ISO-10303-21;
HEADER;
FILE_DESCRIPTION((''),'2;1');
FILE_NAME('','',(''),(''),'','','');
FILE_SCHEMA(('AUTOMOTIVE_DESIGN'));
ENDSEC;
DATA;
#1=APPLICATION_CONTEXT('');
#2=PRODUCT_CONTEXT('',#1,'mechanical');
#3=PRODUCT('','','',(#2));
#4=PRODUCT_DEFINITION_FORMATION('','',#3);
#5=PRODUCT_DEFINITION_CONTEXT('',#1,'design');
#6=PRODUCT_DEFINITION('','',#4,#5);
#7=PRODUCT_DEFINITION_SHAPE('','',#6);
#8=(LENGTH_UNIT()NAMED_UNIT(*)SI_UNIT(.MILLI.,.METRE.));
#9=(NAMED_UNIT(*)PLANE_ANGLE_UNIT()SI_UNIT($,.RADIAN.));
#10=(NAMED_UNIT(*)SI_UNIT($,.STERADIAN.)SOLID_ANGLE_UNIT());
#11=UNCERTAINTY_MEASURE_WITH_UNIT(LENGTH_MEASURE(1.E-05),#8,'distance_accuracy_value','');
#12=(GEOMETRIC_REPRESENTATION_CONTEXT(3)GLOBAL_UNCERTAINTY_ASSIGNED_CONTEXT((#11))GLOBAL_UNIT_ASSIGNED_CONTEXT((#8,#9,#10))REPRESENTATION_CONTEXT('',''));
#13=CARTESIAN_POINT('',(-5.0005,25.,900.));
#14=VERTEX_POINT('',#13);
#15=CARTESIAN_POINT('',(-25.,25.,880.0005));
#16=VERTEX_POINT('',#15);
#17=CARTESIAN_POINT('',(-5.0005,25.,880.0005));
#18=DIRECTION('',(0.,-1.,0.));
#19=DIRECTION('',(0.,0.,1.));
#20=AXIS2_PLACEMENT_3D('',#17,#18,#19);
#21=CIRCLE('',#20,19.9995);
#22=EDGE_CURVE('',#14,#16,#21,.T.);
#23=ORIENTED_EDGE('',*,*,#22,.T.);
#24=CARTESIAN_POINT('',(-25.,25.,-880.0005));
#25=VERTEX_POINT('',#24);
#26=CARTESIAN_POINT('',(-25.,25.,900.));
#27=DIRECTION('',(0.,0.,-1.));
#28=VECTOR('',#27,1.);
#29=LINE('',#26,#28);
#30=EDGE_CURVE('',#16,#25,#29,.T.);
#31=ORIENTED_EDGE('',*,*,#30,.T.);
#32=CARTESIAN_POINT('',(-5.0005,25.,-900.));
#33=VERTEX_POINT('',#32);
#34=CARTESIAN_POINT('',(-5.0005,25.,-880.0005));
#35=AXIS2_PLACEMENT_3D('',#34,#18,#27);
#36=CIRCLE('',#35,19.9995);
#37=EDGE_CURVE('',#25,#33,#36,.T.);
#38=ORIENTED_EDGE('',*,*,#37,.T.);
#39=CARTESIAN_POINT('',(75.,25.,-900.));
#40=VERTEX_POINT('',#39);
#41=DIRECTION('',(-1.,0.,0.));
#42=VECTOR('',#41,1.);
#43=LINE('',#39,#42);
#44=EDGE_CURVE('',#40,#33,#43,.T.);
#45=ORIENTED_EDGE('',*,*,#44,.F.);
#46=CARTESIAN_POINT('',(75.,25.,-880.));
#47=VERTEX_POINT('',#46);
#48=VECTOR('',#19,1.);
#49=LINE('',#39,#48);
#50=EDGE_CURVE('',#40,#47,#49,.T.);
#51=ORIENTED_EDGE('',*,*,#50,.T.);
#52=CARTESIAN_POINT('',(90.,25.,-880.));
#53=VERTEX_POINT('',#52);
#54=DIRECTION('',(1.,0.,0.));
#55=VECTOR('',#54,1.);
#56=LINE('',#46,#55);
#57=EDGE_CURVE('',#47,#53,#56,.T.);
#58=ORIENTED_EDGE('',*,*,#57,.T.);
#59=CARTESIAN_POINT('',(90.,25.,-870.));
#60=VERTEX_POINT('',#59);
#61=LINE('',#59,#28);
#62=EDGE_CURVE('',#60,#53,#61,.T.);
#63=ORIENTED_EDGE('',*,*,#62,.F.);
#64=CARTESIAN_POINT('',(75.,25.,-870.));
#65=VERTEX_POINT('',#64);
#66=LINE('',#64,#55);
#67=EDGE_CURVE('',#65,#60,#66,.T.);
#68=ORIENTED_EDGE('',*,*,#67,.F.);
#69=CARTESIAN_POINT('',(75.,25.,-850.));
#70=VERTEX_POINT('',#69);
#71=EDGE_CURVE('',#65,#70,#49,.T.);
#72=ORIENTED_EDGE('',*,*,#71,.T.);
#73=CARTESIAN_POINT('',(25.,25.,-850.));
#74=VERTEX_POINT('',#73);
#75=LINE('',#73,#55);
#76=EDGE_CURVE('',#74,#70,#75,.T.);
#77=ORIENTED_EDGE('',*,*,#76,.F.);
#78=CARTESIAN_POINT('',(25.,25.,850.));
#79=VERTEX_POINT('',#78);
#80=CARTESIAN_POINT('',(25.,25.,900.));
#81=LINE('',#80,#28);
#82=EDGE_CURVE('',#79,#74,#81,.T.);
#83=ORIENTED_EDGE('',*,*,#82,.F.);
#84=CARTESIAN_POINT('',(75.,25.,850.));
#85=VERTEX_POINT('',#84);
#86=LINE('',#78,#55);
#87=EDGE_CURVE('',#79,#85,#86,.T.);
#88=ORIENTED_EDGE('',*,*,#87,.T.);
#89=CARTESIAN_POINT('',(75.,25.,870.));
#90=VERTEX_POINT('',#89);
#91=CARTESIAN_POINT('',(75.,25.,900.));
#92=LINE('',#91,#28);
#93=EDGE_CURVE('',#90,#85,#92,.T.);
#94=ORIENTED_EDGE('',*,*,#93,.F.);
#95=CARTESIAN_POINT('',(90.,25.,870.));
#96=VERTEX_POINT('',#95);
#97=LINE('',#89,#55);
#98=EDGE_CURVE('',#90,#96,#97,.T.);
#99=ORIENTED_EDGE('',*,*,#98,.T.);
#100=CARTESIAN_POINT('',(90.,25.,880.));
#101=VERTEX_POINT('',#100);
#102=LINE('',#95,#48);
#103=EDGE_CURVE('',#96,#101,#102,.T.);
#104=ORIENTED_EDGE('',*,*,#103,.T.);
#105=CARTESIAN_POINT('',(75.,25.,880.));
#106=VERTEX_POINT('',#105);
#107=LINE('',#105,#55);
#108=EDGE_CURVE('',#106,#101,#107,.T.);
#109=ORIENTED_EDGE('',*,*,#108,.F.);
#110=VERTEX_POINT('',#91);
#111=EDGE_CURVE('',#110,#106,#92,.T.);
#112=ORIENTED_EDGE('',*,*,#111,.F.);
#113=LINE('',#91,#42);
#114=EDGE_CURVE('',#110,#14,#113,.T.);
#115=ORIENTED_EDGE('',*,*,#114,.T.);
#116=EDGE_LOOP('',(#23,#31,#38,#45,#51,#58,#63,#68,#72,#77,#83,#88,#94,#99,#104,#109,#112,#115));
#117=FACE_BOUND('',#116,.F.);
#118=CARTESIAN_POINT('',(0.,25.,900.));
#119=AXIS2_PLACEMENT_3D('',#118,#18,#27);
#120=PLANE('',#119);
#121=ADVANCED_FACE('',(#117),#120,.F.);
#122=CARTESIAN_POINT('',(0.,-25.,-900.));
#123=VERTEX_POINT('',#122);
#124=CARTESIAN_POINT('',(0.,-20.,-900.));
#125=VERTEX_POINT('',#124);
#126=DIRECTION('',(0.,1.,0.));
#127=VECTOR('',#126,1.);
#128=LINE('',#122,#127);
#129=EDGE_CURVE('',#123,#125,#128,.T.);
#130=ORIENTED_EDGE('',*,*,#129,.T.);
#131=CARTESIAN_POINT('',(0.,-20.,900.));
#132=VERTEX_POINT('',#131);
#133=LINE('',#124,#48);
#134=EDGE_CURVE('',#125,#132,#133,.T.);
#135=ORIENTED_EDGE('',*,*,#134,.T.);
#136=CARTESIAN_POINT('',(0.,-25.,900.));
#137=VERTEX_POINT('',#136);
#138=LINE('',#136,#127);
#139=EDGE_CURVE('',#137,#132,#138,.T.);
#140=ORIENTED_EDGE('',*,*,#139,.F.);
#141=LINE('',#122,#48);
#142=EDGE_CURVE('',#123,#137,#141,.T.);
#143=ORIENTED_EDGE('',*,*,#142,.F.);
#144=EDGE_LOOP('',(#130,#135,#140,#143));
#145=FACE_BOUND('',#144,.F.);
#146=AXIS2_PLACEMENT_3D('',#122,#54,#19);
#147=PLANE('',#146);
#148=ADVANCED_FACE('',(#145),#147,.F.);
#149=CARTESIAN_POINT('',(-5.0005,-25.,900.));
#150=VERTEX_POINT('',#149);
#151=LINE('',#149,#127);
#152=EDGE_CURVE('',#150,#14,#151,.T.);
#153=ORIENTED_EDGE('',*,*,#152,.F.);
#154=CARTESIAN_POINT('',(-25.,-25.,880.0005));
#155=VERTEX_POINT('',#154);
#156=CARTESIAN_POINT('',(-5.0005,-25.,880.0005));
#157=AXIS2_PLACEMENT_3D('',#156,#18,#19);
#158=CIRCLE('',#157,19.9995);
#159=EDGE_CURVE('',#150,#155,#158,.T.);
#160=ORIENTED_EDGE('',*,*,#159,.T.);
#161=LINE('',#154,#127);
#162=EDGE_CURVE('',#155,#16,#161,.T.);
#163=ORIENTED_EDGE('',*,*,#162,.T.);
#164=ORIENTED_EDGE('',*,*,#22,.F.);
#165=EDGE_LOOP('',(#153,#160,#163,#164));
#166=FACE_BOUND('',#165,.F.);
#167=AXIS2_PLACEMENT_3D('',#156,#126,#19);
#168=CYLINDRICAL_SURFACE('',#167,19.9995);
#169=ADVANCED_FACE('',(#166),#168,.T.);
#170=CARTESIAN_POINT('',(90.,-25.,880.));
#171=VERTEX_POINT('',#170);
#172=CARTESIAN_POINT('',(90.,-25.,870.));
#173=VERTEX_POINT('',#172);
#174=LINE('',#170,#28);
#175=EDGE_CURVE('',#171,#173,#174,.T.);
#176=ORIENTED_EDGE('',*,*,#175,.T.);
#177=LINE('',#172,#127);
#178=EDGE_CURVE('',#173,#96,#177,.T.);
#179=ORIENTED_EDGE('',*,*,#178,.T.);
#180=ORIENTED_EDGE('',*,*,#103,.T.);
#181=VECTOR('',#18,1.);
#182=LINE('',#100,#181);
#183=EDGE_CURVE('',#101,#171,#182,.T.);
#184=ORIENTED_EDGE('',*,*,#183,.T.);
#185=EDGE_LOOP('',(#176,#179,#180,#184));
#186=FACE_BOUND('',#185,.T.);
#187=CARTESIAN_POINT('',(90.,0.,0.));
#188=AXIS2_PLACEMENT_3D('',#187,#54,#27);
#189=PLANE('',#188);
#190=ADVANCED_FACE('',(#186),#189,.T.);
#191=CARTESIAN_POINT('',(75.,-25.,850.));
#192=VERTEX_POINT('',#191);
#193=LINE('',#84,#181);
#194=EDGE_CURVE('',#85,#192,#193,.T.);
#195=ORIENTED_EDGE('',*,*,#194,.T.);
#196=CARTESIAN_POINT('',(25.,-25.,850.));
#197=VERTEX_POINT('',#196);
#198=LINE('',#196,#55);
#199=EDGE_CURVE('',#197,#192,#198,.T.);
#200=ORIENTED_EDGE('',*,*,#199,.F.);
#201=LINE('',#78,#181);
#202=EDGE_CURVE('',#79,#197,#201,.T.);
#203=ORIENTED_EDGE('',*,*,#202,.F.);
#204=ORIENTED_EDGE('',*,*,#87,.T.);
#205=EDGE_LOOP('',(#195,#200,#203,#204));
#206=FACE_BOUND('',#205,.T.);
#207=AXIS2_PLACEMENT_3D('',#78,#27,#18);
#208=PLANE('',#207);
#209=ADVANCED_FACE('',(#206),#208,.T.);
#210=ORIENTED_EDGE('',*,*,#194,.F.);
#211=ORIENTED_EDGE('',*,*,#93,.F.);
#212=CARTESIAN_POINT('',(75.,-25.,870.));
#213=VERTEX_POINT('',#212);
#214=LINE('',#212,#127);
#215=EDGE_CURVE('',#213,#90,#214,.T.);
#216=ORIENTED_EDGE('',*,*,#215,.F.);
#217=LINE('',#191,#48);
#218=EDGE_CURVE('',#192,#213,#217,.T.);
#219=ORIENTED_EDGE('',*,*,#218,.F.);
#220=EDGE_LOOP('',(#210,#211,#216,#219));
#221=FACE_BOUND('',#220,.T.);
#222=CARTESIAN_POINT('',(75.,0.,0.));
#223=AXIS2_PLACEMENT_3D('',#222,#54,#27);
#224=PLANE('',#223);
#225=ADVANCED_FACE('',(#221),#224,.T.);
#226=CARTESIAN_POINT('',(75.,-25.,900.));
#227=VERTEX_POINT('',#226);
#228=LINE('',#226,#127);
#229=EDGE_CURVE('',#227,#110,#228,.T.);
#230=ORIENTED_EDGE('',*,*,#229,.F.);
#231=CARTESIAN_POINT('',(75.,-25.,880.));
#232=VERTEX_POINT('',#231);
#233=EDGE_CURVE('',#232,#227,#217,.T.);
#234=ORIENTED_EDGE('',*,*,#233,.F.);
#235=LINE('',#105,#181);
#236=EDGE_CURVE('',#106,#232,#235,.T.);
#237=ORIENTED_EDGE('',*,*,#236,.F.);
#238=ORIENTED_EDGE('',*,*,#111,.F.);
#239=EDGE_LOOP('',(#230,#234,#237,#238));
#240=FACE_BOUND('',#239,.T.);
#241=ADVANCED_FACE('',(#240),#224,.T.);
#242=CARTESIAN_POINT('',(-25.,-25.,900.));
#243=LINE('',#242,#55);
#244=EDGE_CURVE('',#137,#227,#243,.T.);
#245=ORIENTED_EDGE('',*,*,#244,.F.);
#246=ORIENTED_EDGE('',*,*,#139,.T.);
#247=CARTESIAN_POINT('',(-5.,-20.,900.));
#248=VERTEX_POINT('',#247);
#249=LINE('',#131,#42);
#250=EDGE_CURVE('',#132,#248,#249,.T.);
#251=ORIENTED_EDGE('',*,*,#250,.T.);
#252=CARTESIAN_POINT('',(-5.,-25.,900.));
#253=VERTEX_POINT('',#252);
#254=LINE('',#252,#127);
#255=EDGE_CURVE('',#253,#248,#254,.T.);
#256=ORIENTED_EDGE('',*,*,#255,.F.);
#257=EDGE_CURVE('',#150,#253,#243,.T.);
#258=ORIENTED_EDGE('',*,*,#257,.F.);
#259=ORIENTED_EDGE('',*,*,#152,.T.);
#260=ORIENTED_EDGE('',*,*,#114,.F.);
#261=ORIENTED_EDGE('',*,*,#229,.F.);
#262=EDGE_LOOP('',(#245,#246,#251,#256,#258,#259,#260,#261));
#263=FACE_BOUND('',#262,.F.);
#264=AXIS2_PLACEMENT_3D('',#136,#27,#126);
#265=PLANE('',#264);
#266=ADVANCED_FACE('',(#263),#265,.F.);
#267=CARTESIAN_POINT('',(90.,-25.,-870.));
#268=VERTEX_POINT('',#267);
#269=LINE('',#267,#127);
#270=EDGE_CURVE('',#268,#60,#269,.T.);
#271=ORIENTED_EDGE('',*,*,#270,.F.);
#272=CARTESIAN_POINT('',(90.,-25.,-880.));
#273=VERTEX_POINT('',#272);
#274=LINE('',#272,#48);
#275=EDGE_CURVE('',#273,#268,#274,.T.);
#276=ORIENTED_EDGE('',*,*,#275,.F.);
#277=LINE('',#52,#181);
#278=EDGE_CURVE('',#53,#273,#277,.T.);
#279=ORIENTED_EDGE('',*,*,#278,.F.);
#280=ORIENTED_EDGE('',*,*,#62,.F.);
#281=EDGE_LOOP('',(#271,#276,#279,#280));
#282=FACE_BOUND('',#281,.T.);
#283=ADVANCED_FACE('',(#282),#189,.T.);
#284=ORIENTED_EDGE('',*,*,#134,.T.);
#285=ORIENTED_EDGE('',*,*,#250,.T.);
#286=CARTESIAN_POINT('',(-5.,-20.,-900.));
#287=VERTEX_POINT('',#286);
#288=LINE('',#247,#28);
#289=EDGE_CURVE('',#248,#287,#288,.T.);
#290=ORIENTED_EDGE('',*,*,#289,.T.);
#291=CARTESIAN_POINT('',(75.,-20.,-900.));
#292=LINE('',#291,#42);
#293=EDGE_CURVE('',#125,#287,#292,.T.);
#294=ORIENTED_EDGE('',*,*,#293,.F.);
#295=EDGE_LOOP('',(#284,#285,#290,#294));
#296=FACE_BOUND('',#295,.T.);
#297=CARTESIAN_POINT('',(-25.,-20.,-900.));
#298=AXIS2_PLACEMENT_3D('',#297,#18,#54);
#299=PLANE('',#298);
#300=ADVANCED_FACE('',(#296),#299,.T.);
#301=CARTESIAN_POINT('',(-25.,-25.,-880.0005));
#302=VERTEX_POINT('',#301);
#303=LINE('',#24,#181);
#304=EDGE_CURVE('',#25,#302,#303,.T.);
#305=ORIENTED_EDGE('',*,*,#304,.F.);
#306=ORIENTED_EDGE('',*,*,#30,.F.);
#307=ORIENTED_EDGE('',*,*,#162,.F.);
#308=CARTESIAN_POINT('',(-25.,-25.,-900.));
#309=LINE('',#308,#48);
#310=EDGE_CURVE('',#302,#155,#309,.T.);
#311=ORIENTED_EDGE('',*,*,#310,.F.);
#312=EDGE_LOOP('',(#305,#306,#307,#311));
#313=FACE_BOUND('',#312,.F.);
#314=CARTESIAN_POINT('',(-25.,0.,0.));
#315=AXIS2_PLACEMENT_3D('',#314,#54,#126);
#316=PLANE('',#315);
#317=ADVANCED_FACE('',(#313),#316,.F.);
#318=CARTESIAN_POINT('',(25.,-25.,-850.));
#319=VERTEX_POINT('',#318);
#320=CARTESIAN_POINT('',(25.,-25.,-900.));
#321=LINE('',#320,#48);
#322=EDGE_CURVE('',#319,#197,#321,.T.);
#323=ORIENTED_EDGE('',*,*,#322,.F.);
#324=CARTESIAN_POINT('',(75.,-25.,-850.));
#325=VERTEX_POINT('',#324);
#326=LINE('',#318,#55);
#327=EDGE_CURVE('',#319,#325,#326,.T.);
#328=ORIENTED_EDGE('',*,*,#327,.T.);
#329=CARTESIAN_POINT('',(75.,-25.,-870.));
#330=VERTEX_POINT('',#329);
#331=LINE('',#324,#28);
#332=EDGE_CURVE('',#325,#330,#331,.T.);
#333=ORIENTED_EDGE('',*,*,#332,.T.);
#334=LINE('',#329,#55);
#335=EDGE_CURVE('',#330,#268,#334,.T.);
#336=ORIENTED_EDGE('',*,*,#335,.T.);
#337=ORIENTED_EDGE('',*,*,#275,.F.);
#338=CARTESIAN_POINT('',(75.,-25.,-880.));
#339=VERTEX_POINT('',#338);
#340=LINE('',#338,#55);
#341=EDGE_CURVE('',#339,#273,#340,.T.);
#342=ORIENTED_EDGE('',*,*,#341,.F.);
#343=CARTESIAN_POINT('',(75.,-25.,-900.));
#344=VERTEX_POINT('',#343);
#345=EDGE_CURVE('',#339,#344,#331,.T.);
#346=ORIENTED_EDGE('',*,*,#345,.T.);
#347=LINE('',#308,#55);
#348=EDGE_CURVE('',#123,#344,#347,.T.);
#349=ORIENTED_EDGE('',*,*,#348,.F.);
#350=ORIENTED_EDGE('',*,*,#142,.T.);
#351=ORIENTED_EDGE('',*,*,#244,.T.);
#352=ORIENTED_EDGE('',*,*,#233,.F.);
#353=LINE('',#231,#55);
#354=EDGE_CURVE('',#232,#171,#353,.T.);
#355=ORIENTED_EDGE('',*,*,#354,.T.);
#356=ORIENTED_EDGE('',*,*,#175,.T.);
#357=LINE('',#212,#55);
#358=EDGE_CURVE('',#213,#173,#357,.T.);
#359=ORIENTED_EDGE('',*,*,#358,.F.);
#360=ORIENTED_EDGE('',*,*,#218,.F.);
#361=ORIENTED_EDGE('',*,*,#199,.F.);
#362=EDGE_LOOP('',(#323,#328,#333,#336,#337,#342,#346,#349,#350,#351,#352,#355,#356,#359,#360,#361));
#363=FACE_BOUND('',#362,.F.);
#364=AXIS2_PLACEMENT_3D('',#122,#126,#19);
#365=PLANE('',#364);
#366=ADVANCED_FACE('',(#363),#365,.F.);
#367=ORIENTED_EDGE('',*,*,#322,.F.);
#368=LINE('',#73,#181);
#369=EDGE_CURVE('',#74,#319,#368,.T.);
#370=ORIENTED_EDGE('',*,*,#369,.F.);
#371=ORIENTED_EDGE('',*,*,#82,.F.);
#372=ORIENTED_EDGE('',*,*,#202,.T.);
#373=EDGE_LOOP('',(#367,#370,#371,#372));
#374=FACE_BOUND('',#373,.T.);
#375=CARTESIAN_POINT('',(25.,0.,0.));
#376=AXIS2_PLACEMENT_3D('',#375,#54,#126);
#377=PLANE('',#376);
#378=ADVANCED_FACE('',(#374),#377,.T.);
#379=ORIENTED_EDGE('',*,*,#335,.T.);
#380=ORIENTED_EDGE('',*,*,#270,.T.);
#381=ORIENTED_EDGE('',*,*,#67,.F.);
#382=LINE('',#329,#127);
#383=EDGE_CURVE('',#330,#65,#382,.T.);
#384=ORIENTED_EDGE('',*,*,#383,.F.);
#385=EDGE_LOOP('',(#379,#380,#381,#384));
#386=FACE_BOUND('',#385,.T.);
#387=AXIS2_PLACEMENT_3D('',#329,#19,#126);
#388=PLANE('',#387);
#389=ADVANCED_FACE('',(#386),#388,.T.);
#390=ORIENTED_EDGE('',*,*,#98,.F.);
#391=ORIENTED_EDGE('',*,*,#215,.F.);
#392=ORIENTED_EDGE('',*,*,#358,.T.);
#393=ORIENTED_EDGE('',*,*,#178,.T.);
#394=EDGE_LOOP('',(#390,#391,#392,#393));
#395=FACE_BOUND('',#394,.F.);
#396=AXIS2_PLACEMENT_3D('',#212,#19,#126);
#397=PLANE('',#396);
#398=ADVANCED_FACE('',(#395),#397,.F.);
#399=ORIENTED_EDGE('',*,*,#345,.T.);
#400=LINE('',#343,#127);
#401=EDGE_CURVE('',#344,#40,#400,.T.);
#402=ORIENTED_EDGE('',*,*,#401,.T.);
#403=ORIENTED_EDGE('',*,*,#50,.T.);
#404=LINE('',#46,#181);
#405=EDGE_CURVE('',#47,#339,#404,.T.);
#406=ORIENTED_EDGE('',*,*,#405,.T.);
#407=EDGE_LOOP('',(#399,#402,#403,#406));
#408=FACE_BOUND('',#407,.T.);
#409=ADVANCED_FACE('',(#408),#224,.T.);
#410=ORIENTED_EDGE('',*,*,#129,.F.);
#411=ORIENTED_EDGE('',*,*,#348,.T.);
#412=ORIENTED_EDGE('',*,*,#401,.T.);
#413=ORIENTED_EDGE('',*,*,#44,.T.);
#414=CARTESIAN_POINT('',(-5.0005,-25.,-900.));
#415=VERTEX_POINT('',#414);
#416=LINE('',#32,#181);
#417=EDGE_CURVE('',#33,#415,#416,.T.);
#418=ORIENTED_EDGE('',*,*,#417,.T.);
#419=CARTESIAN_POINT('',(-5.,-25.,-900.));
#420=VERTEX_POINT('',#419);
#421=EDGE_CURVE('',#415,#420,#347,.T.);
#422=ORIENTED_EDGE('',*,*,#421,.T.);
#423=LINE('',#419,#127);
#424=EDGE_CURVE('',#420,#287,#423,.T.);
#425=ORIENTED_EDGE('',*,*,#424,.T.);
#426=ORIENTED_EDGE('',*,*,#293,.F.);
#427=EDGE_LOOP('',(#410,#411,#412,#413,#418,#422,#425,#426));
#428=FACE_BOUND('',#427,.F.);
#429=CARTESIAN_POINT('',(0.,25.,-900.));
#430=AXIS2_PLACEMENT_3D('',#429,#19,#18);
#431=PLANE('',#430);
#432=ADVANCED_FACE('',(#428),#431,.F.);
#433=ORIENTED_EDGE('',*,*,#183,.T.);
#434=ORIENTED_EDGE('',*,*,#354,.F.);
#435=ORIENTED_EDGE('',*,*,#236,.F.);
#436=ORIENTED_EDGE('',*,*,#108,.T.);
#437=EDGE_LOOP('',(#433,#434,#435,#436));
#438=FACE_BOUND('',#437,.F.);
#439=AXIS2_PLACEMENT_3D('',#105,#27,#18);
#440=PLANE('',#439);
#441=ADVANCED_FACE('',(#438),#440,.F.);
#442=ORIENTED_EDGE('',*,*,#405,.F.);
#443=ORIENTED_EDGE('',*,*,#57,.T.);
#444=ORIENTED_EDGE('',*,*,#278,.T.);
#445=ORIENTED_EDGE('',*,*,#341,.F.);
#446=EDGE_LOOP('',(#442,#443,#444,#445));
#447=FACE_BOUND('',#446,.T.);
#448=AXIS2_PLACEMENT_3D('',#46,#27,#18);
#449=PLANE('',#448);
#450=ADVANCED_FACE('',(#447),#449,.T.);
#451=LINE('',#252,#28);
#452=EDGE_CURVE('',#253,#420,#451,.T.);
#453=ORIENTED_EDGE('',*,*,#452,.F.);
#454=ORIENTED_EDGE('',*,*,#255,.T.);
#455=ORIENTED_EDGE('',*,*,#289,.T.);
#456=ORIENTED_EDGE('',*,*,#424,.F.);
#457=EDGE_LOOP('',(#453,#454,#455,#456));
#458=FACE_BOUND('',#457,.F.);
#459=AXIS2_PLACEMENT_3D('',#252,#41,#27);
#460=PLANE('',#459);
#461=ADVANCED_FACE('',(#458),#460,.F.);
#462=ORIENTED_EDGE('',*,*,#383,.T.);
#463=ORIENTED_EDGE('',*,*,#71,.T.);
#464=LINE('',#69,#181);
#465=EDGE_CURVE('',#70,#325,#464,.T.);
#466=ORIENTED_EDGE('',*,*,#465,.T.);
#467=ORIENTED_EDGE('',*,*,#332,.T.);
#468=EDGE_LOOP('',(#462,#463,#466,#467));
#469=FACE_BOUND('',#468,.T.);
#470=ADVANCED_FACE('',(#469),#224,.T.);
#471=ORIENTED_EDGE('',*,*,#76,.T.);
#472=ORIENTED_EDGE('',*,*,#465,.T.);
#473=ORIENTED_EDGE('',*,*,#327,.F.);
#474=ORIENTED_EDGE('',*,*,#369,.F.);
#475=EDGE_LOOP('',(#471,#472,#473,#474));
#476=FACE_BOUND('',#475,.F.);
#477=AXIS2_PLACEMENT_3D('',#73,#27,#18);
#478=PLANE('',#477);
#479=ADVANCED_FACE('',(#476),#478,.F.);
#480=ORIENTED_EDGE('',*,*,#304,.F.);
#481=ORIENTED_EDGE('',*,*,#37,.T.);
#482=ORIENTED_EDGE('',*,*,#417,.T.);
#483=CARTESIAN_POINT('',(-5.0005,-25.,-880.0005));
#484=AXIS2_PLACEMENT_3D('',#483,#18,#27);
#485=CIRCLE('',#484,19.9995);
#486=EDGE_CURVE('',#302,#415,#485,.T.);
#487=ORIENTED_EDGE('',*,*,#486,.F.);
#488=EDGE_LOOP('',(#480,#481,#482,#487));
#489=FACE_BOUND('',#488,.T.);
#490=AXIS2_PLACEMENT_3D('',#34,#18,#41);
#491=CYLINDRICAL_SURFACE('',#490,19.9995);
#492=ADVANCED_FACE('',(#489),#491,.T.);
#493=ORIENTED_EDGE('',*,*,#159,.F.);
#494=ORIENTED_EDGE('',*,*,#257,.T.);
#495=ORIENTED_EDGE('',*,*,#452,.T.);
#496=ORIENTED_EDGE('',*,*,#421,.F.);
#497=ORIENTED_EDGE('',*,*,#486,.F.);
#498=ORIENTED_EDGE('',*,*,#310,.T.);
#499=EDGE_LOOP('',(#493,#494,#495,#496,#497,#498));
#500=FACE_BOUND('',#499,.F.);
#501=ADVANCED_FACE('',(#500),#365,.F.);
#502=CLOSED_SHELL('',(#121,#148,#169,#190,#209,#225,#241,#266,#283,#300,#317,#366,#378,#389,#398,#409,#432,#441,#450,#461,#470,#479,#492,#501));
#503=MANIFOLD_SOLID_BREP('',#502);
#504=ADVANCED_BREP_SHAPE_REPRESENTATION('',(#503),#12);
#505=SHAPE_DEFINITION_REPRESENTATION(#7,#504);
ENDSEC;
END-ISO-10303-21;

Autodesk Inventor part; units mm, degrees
ref_plane "YZ Plane" through (0, 0, 0) normal (1, 0, 0) x (0, 1, 0)
ref_plane "XZ Plane" through (0, 0, 0) normal (0, 1, 0) x (-1, 0, 0)
ref_plane "XY Plane" through (0, 0, 0) normal (0, 0, 1) x (1, 0, 0)
sketch "草图1" plane through (0, 0, 0) normal (1, 0, 0) x (0, 1, 0)
  line L0 (-25, 900) -> (25, 900)
  line L1 (25, 900) -> (25, -900)
  line L2 (25, -900) -> (-25, -900)
  line L3 (-25, -900) -> (-25, 900)
  line L4 (-25, 900) -> (25, -900) construction
  line L5 (25, 900) -> (-25, -900) construction
  point P0 (0, 0)
  dimension "d0" = 50
  dimension "d1" = 1800
extrude "拉伸1" add sketch "草图1" against normal mid plane 50
sketch "草图2" plane through (25, 0, 0) normal (1, 0, 0) x (0, 0, -1)
  line L0 (-900, -25) -> (-900, 25) projected
  line L1 (-900, 25) -> (-850, 25)
  line L2 (-850, 25) -> (-850, -25)
  line L3 (-850, -25) -> (-900, -25)
  line L4 (-900, -25) -> (-900, 25)
  line L5 (-900, 25) -> (900, 25) construction
  line L6 (0, 25) -> (0, -25) construction
  line L7 (900, -25) -> (-900, -25) construction
  line L8 (900, -25) -> (900, 25)
  line L9 (900, 25) -> (850, 25)
  line L10 (850, 25) -> (850, -25)
  line L11 (850, -25) -> (900, -25)
  line L12 (900, -25) -> (900, 25)
  line L13 (900, 25) -> (-900, 25) construction
  line L14 (-900, -25) -> (900, -25) construction
  point P0 (0, 0)
  dimension "d4" = 50
  dimension "d5" = 50
extrude "拉伸2" add sketch "草图2" along normal blind 50
sketch "草图3" plane through (75, 0, 0) normal (1, 0, 0) x (0, 0, -1)
  line L0 (850, 25) -> (850, -25) projected
  line L1 (850, 25) -> (870, 25)
  line L2 (900, 25) -> (880, 25)
  line L3 (870, 25) -> (880, 25)
  line L4 (880, 25) -> (880, -25)
  line L5 (880, -25) -> (870, -25)
  line L6 (870, -25) -> (870, 25)
  line L7 (0, 25) -> (0, -25) construction
  line L8 (-850, 25) -> (-850, -25)
  line L9 (-850, 25) -> (-870, 25)
  line L10 (-900, 25) -> (-880, 25)
  line L11 (-870, 25) -> (-880, 25)
  line L12 (-880, 25) -> (-880, -25)
  line L13 (-880, -25) -> (-870, -25)
  line L14 (-870, -25) -> (-870, 25)
  line L15 (880, -25) -> (870, -25)
  line L16 (850, -25) -> (900, -25) projected
  line L17 (-880, -25) -> (-870, -25)
  line L18 (900, -25) -> (-900, -25) projected
  point P0 (0, 0)
  point P1 (-900, 25)
  point P2 (-850, 25)
  dimension "d10" = 10
  dimension "d11" = 20
extrude "拉伸3" add sketch "草图3" along normal blind 15 contours L3 L4 L5 L6 | L13 L12 L11 L14
sketch "草图4" plane through (-25, -25, -900) normal (0, -1, 0) x (1, 0, 0)
  line L0 (0, 0) -> (20, 0)
  line L1 (100, 0) -> (0, 0) projected
  line L2 (20, 0) -> (30, 0)
  line L3 (20, 0) -> (25, 0)
  line L4 (25, 0) -> (25, 1800)
  line L5 (25, 1800) -> (20, 1800)
  line L6 (20, 1800) -> (20, 0)
  line L7 (0, 1800) -> (100, 1800) projected
  point P0 (25, 900)
  dimension "d12" = 20
  dimension "d13" = 10
  dimension "d14" = 5
  dimension "d16" = 1800
extrude "拉伸4" cut sketch "草图4" against normal blind 5
fillet "圆角1" radius 20 2 edges at (-25, 0, 900) (-25, 0, -900)
properties part number "水平滑台"
